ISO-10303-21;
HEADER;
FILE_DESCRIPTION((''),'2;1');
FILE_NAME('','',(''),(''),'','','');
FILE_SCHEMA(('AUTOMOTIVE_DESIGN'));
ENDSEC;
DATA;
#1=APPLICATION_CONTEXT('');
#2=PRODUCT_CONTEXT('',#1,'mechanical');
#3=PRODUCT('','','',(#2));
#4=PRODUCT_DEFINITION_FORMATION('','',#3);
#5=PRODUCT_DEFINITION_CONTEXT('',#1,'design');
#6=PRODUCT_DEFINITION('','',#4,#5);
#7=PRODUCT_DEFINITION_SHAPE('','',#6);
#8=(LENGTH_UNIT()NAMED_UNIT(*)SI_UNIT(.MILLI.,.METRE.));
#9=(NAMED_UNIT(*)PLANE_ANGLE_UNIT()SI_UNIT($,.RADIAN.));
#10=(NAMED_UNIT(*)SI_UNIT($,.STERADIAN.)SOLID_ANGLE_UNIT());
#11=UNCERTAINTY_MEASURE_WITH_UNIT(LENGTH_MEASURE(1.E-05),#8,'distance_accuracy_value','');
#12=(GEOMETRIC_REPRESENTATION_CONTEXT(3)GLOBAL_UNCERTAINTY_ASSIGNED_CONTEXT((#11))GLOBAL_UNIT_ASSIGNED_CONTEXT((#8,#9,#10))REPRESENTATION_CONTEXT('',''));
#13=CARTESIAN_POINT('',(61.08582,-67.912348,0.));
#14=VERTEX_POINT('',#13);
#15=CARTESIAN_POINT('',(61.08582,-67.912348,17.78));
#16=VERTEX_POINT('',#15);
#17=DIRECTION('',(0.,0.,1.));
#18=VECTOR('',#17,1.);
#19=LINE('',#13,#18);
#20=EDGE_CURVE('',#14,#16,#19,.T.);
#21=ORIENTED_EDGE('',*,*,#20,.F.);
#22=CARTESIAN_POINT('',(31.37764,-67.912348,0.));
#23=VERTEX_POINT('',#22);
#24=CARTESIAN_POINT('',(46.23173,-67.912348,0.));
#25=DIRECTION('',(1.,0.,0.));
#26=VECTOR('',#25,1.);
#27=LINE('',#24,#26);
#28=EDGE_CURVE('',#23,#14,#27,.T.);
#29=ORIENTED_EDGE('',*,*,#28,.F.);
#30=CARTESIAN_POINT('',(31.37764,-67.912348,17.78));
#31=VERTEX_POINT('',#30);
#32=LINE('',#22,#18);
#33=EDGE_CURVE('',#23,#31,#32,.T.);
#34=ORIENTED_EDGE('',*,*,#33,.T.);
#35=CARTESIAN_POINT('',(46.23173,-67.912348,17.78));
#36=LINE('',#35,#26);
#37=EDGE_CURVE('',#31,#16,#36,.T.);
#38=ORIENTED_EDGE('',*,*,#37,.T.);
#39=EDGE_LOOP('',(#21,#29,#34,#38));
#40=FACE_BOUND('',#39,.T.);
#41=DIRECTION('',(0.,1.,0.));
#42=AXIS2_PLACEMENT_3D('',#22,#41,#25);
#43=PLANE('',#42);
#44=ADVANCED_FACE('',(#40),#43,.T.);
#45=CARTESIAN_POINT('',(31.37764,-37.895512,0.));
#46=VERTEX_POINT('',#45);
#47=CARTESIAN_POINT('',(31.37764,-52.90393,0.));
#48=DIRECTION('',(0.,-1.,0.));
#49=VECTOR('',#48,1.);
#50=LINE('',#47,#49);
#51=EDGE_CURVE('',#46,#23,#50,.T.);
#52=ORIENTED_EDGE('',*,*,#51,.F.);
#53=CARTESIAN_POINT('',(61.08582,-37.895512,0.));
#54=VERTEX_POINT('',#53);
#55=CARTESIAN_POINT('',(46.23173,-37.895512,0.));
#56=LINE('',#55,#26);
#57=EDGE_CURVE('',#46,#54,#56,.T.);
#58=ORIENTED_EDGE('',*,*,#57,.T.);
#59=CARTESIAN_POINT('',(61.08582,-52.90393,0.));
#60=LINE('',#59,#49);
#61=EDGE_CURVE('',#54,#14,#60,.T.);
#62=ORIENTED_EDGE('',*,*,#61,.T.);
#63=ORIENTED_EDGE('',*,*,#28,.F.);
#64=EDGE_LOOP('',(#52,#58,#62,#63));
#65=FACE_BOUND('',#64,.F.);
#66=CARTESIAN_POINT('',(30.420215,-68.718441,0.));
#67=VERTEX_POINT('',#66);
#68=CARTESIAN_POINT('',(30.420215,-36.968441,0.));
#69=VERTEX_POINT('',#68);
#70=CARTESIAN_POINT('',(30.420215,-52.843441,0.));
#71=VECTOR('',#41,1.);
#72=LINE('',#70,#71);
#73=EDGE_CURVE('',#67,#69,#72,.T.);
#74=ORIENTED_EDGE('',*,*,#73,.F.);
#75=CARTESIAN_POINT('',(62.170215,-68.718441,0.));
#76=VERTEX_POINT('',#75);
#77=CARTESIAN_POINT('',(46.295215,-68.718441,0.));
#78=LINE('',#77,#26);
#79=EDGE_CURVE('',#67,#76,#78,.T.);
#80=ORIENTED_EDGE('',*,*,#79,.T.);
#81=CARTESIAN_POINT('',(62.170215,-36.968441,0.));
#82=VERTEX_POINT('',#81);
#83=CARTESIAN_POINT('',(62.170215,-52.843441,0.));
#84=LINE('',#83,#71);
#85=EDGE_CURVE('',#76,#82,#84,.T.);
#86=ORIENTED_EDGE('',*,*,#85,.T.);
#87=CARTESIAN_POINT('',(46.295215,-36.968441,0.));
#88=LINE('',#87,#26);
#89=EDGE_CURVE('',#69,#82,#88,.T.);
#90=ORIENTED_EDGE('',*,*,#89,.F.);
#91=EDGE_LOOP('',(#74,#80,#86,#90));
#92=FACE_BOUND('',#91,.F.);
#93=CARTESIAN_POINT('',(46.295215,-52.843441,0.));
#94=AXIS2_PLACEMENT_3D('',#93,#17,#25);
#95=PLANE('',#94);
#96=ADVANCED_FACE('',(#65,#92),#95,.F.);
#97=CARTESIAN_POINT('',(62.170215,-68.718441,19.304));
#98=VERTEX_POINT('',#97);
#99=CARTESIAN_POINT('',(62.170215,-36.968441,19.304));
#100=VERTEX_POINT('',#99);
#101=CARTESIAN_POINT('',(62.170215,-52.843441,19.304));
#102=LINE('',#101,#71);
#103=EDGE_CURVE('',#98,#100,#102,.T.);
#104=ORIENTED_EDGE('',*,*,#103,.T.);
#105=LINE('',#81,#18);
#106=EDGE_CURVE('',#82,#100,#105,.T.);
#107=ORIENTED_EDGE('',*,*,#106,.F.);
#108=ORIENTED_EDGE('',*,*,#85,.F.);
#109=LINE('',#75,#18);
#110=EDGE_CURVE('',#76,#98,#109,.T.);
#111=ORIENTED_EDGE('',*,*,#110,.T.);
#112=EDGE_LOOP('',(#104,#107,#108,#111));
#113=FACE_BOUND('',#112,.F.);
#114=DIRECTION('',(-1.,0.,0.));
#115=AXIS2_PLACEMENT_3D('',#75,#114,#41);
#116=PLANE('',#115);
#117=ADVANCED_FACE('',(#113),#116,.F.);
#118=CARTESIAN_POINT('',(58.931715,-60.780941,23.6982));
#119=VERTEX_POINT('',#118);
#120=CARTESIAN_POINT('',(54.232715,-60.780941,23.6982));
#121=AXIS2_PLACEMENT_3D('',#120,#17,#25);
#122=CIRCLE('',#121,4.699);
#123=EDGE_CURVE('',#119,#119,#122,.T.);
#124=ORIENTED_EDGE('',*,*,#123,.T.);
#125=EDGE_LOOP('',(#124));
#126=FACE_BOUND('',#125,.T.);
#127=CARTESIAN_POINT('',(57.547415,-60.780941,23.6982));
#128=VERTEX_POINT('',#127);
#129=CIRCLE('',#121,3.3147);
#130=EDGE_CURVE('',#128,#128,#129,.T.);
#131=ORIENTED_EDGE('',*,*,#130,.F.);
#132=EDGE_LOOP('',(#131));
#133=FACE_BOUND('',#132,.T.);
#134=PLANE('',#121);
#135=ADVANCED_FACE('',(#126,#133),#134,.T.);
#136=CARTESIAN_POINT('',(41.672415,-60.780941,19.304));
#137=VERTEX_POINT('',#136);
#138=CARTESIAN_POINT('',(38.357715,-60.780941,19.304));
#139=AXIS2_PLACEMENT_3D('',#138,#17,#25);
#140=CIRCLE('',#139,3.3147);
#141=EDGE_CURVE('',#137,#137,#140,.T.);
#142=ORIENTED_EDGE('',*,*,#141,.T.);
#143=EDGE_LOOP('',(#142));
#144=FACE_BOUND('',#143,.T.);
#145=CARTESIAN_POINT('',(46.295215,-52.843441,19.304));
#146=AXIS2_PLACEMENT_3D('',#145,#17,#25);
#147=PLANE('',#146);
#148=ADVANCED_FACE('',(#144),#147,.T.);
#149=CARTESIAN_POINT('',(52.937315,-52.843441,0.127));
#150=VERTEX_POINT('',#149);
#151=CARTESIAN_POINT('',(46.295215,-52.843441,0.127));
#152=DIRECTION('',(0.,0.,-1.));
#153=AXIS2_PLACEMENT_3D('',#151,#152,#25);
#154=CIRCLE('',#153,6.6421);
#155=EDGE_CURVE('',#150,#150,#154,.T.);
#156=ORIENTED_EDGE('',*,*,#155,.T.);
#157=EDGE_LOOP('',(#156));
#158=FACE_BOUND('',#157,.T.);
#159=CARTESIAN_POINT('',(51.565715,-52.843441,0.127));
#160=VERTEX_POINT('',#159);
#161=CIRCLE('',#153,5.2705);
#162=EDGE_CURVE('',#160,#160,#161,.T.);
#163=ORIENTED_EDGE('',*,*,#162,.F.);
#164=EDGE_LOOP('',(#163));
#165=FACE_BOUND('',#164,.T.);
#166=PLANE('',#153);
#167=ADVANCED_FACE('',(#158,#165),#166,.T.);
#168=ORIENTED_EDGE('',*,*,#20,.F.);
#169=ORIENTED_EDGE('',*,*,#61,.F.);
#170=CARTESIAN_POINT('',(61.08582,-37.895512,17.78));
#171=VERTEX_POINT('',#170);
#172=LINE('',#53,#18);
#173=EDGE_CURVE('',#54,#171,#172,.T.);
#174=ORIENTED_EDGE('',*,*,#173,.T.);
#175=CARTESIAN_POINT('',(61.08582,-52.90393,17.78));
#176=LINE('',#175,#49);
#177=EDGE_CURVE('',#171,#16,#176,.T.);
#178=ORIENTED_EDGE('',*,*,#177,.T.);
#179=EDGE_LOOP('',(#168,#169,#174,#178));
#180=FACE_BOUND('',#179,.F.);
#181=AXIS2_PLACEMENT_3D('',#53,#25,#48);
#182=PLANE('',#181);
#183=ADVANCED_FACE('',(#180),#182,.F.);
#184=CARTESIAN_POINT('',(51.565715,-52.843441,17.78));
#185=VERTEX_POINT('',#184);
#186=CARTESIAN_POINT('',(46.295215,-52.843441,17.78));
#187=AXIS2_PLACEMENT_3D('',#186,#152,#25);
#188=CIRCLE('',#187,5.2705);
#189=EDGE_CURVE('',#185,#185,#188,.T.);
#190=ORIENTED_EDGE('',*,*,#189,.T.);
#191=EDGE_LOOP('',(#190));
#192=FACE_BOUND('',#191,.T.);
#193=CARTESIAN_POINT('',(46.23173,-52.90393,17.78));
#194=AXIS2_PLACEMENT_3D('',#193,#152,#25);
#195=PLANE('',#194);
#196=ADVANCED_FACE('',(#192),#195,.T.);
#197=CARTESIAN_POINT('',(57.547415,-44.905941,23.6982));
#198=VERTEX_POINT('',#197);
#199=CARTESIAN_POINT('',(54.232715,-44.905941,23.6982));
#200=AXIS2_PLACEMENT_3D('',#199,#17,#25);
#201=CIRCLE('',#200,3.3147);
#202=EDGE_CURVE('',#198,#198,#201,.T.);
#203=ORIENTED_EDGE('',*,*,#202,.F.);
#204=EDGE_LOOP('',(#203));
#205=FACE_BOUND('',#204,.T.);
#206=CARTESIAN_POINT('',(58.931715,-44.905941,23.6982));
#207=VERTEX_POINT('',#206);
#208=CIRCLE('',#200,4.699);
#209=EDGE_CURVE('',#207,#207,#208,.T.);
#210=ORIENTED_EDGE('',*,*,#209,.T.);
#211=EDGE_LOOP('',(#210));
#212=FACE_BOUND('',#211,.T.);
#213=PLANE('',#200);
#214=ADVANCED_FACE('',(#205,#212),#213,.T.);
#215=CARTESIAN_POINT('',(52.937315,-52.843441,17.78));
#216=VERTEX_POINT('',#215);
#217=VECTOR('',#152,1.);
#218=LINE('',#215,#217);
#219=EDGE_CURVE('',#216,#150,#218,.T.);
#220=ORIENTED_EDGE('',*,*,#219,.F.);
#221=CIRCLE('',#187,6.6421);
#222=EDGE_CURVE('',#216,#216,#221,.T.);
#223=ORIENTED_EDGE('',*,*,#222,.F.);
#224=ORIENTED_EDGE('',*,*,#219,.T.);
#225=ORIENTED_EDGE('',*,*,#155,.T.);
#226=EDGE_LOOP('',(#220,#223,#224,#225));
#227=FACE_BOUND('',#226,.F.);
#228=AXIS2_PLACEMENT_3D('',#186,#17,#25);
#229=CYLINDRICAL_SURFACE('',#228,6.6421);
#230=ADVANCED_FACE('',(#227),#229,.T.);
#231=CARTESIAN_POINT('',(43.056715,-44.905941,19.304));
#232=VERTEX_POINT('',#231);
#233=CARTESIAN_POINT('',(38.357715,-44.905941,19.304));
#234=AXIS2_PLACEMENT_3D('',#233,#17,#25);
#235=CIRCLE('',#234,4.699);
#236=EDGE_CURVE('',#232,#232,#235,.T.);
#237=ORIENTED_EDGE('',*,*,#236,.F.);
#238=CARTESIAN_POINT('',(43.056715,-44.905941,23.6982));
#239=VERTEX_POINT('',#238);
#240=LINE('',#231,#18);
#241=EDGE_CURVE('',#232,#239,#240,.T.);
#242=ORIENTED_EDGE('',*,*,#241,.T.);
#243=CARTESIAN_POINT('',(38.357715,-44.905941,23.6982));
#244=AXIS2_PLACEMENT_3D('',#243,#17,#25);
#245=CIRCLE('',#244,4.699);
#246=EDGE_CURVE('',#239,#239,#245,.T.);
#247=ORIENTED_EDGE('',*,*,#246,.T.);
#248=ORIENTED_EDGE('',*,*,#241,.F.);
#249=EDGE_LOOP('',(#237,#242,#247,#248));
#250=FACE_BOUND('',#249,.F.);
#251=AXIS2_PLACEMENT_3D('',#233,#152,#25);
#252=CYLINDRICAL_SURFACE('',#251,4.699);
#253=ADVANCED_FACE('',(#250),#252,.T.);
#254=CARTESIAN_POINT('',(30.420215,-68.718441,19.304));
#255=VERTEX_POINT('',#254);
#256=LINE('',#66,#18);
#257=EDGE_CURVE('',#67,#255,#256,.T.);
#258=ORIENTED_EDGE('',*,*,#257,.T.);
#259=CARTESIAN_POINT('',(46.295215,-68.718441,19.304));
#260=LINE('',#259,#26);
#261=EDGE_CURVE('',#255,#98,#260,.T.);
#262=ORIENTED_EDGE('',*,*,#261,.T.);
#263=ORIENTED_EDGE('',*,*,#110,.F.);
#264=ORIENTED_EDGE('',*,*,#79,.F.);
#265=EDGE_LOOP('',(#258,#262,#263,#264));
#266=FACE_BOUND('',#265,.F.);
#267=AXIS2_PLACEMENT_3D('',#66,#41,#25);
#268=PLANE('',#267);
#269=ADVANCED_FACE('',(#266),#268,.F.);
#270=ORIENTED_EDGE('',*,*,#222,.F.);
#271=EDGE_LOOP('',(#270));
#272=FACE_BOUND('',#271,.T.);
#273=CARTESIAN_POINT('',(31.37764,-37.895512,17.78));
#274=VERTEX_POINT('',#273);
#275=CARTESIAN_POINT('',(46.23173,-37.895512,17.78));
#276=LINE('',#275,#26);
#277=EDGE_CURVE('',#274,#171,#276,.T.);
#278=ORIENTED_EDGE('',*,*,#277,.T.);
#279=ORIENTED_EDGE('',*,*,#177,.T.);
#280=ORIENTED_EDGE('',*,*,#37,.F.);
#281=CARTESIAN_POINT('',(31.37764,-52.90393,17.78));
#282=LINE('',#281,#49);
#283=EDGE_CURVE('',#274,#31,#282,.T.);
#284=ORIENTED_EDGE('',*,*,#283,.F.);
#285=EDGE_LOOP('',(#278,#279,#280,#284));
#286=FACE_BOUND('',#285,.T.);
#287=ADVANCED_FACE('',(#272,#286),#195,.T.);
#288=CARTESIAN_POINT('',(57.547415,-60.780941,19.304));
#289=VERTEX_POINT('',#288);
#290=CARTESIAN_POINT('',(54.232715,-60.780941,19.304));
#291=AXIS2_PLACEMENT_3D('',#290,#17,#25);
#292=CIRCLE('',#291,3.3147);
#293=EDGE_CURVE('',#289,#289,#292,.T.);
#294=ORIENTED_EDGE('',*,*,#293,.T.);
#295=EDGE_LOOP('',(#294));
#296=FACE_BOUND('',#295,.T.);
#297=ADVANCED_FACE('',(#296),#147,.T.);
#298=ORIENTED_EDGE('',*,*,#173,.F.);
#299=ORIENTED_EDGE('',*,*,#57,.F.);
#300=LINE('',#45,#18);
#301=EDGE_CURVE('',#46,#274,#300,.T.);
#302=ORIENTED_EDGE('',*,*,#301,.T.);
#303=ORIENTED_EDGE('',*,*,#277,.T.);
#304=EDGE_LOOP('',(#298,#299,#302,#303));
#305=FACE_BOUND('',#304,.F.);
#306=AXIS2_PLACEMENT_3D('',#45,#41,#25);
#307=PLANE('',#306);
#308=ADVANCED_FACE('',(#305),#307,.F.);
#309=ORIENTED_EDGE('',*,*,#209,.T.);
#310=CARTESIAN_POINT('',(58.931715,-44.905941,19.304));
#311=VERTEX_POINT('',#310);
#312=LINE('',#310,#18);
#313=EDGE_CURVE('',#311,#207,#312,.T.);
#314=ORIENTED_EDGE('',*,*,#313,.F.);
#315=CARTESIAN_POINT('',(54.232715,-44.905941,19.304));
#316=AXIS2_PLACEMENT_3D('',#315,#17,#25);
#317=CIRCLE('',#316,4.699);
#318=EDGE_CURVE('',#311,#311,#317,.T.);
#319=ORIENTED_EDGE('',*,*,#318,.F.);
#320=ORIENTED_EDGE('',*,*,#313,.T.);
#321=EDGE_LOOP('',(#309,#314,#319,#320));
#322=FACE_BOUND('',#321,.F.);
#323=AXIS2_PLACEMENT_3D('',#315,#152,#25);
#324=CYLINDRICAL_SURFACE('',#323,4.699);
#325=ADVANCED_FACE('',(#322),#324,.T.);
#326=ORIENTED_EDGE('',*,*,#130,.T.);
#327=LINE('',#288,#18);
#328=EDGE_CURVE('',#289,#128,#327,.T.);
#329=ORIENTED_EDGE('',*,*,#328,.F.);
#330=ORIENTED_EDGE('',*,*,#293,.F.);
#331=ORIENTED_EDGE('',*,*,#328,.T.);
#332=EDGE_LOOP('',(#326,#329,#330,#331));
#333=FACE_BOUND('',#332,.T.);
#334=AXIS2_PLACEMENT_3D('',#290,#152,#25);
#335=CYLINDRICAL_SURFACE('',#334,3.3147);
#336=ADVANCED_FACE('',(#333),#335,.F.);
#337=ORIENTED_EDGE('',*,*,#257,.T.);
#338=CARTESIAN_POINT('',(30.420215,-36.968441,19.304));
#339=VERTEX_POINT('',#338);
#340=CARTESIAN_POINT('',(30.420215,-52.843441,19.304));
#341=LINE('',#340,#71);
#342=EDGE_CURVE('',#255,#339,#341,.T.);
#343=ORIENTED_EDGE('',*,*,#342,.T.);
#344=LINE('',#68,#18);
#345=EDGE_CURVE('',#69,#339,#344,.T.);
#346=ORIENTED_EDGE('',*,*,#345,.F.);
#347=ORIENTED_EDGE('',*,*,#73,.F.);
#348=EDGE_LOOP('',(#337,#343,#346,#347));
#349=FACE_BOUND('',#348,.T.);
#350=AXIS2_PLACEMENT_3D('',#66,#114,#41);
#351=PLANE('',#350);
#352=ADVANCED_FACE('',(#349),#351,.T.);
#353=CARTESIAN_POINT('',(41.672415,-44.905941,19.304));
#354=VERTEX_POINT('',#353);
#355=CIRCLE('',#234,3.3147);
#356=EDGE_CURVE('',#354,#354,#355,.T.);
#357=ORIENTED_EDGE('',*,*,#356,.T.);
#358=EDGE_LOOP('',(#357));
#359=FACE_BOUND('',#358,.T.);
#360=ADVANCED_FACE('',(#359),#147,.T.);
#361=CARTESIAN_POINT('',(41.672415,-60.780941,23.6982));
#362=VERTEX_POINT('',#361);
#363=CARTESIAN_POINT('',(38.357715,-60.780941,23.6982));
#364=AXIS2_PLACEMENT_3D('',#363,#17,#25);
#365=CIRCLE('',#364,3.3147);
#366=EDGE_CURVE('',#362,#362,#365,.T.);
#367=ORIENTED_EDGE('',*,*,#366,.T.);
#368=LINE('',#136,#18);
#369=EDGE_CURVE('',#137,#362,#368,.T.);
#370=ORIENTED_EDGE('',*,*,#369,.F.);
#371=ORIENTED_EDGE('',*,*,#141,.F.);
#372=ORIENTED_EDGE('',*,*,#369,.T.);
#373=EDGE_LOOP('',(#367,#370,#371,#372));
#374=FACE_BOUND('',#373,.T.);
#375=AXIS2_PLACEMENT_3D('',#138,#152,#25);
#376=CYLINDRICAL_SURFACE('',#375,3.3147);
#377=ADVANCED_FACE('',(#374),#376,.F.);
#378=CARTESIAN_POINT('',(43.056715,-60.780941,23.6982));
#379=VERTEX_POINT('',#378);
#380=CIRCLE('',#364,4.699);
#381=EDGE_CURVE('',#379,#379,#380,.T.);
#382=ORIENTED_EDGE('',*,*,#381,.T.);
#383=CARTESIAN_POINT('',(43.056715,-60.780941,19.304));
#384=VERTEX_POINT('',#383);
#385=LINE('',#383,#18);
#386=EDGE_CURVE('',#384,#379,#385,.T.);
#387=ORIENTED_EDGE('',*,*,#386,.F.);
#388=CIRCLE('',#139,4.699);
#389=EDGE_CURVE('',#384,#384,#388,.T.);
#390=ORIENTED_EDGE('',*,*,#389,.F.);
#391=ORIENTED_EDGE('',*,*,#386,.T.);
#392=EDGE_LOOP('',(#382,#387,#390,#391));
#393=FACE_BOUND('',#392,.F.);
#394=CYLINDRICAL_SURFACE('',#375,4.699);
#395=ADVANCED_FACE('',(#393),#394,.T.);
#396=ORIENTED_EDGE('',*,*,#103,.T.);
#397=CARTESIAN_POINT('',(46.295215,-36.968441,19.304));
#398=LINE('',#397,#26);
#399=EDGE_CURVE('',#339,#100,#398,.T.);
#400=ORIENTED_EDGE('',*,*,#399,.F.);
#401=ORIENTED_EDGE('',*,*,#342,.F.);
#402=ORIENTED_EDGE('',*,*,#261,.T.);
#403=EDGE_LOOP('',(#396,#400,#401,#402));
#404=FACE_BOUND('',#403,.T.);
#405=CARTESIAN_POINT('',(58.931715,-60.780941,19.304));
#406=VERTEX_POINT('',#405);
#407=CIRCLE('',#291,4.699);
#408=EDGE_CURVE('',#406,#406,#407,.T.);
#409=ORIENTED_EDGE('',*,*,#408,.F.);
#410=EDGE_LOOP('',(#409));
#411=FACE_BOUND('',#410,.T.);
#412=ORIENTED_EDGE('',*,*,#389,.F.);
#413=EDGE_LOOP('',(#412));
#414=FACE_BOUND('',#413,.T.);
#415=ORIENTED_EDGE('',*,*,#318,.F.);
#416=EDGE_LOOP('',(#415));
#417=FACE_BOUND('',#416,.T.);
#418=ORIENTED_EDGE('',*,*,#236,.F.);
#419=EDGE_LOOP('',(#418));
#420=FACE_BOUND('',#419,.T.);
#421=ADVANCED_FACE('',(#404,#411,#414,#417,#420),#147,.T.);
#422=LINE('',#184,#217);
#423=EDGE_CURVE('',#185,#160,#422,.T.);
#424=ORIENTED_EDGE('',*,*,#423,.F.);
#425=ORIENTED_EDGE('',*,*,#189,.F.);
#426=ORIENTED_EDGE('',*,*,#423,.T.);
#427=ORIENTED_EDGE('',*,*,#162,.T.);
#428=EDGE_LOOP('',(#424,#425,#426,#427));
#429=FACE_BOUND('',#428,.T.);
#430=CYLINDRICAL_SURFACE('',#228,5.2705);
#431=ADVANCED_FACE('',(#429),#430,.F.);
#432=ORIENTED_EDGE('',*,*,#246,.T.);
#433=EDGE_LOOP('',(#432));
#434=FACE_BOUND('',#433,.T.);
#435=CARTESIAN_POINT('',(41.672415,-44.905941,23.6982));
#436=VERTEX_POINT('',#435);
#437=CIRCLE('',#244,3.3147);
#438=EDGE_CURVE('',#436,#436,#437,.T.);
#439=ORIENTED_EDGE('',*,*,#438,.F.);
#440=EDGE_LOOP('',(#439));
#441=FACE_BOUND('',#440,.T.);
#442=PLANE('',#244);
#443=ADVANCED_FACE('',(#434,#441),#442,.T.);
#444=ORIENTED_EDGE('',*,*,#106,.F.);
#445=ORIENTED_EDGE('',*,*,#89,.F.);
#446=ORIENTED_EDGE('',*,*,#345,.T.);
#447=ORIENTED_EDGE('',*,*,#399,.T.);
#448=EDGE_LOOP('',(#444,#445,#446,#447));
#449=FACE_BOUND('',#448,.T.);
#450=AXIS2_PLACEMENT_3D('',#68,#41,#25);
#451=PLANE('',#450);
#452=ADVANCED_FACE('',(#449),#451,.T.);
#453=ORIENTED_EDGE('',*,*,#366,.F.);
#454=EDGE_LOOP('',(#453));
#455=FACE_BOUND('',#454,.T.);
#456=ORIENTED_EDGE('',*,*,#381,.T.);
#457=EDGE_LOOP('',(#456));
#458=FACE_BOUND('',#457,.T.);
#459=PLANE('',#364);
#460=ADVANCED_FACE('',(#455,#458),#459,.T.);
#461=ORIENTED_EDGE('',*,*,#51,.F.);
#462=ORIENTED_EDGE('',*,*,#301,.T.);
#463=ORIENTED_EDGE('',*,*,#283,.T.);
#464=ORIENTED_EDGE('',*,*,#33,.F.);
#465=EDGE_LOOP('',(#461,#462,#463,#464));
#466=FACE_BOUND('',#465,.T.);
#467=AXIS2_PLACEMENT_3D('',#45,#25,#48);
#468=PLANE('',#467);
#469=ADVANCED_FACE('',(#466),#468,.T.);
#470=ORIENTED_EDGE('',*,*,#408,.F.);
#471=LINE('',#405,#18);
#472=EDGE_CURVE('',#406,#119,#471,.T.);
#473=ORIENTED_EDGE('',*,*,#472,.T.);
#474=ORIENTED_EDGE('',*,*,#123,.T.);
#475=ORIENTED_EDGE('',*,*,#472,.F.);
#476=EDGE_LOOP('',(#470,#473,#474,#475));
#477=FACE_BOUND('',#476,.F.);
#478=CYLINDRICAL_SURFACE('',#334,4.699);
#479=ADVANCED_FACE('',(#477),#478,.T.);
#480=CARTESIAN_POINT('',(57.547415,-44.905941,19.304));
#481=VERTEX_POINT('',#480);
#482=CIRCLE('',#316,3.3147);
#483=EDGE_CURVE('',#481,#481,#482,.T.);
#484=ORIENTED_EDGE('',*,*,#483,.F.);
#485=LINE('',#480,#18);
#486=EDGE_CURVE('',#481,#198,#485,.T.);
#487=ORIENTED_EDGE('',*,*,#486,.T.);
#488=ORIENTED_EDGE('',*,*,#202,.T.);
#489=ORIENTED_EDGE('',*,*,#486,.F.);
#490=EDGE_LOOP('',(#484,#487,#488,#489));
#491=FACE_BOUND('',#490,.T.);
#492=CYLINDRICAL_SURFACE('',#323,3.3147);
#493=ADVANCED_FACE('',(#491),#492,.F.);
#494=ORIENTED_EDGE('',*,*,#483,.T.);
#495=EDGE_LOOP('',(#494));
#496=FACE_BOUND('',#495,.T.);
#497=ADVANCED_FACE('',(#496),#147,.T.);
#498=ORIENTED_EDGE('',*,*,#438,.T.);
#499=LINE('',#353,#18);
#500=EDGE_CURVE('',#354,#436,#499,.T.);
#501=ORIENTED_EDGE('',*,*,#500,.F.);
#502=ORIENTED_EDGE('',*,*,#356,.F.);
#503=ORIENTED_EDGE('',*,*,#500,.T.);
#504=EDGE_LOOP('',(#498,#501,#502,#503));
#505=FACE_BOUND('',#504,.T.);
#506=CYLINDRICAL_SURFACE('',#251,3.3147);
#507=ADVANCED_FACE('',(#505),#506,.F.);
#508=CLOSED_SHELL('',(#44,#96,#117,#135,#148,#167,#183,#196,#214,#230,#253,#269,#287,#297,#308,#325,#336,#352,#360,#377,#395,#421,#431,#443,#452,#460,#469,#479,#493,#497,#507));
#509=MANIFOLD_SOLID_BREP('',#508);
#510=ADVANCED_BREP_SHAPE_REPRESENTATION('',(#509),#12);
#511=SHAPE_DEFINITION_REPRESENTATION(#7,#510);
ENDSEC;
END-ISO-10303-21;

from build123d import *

# Parameters (mm, degrees)
F0_W     = 31.75
F0_H     = 31.75
F1_DEPTH = 19.304
F2_R     = 4.699
F2_R_2   = 3.3147
F3_DEPTH = 4.3942
F4_W     = 29.70818
F4_H     = 30.016836
F5_DEPTH = 17.78
F7_R     = 6.6421
F7_R_2   = 5.2705
F8_DEPTH = 17.653


with BuildPart() as f1:
    # F0 (on Top) → F1 (new body)
    with BuildSketch(Plane.XY):
        with Locations((46.295215, -52.843441)):
            Rectangle(F0_W, F0_H)
    extrude(amount=F1_DEPTH)

    # F2 (on face) → F3 (join)
    with BuildSketch(Plane.XY.offset(19.304)):
        with Locations((38.357715, -44.905941)):
            Circle(F2_R)
        with Locations((38.357715, -44.905941)):
            Circle(F2_R_2, mode=Mode.SUBTRACT)
        with Locations((54.232715, -44.905941)):
            Circle(F2_R)
        with Locations((54.232715, -44.905941)):
            Circle(F2_R_2, mode=Mode.SUBTRACT)
        with Locations((54.232715, -60.780941)):
            Circle(F2_R)
        with Locations((54.232715, -60.780941)):
            Circle(F2_R_2, mode=Mode.SUBTRACT)
        with Locations((38.357715, -60.780941)):
            Circle(F2_R)
        with Locations((38.357715, -60.780941)):
            Circle(F2_R_2, mode=Mode.SUBTRACT)
    extrude(amount=F3_DEPTH)

    # F4 (on face) → F5 (cut)
    with BuildSketch(Plane(origin=(0, 0, 0), x_dir=(1, 0, 0), z_dir=(0, 0, -1))):
        with Locations((46.23173, 52.90393)):
            Rectangle(F4_W, F4_H)
    extrude(amount=-F5_DEPTH, mode=Mode.SUBTRACT)

    # F7 (on face) → F8 (join)
    with BuildSketch(Plane(origin=(0, 0, 17.78), x_dir=(1, 0, 0), z_dir=(0, 0, -1))):
        with Locations((46.295215, 52.843441)):
            Circle(F7_R)
        with Locations((46.295215, 52.843441)):
            Circle(F7_R_2, mode=Mode.SUBTRACT)
    extrude(amount=F8_DEPTH)


solid = f1.part
